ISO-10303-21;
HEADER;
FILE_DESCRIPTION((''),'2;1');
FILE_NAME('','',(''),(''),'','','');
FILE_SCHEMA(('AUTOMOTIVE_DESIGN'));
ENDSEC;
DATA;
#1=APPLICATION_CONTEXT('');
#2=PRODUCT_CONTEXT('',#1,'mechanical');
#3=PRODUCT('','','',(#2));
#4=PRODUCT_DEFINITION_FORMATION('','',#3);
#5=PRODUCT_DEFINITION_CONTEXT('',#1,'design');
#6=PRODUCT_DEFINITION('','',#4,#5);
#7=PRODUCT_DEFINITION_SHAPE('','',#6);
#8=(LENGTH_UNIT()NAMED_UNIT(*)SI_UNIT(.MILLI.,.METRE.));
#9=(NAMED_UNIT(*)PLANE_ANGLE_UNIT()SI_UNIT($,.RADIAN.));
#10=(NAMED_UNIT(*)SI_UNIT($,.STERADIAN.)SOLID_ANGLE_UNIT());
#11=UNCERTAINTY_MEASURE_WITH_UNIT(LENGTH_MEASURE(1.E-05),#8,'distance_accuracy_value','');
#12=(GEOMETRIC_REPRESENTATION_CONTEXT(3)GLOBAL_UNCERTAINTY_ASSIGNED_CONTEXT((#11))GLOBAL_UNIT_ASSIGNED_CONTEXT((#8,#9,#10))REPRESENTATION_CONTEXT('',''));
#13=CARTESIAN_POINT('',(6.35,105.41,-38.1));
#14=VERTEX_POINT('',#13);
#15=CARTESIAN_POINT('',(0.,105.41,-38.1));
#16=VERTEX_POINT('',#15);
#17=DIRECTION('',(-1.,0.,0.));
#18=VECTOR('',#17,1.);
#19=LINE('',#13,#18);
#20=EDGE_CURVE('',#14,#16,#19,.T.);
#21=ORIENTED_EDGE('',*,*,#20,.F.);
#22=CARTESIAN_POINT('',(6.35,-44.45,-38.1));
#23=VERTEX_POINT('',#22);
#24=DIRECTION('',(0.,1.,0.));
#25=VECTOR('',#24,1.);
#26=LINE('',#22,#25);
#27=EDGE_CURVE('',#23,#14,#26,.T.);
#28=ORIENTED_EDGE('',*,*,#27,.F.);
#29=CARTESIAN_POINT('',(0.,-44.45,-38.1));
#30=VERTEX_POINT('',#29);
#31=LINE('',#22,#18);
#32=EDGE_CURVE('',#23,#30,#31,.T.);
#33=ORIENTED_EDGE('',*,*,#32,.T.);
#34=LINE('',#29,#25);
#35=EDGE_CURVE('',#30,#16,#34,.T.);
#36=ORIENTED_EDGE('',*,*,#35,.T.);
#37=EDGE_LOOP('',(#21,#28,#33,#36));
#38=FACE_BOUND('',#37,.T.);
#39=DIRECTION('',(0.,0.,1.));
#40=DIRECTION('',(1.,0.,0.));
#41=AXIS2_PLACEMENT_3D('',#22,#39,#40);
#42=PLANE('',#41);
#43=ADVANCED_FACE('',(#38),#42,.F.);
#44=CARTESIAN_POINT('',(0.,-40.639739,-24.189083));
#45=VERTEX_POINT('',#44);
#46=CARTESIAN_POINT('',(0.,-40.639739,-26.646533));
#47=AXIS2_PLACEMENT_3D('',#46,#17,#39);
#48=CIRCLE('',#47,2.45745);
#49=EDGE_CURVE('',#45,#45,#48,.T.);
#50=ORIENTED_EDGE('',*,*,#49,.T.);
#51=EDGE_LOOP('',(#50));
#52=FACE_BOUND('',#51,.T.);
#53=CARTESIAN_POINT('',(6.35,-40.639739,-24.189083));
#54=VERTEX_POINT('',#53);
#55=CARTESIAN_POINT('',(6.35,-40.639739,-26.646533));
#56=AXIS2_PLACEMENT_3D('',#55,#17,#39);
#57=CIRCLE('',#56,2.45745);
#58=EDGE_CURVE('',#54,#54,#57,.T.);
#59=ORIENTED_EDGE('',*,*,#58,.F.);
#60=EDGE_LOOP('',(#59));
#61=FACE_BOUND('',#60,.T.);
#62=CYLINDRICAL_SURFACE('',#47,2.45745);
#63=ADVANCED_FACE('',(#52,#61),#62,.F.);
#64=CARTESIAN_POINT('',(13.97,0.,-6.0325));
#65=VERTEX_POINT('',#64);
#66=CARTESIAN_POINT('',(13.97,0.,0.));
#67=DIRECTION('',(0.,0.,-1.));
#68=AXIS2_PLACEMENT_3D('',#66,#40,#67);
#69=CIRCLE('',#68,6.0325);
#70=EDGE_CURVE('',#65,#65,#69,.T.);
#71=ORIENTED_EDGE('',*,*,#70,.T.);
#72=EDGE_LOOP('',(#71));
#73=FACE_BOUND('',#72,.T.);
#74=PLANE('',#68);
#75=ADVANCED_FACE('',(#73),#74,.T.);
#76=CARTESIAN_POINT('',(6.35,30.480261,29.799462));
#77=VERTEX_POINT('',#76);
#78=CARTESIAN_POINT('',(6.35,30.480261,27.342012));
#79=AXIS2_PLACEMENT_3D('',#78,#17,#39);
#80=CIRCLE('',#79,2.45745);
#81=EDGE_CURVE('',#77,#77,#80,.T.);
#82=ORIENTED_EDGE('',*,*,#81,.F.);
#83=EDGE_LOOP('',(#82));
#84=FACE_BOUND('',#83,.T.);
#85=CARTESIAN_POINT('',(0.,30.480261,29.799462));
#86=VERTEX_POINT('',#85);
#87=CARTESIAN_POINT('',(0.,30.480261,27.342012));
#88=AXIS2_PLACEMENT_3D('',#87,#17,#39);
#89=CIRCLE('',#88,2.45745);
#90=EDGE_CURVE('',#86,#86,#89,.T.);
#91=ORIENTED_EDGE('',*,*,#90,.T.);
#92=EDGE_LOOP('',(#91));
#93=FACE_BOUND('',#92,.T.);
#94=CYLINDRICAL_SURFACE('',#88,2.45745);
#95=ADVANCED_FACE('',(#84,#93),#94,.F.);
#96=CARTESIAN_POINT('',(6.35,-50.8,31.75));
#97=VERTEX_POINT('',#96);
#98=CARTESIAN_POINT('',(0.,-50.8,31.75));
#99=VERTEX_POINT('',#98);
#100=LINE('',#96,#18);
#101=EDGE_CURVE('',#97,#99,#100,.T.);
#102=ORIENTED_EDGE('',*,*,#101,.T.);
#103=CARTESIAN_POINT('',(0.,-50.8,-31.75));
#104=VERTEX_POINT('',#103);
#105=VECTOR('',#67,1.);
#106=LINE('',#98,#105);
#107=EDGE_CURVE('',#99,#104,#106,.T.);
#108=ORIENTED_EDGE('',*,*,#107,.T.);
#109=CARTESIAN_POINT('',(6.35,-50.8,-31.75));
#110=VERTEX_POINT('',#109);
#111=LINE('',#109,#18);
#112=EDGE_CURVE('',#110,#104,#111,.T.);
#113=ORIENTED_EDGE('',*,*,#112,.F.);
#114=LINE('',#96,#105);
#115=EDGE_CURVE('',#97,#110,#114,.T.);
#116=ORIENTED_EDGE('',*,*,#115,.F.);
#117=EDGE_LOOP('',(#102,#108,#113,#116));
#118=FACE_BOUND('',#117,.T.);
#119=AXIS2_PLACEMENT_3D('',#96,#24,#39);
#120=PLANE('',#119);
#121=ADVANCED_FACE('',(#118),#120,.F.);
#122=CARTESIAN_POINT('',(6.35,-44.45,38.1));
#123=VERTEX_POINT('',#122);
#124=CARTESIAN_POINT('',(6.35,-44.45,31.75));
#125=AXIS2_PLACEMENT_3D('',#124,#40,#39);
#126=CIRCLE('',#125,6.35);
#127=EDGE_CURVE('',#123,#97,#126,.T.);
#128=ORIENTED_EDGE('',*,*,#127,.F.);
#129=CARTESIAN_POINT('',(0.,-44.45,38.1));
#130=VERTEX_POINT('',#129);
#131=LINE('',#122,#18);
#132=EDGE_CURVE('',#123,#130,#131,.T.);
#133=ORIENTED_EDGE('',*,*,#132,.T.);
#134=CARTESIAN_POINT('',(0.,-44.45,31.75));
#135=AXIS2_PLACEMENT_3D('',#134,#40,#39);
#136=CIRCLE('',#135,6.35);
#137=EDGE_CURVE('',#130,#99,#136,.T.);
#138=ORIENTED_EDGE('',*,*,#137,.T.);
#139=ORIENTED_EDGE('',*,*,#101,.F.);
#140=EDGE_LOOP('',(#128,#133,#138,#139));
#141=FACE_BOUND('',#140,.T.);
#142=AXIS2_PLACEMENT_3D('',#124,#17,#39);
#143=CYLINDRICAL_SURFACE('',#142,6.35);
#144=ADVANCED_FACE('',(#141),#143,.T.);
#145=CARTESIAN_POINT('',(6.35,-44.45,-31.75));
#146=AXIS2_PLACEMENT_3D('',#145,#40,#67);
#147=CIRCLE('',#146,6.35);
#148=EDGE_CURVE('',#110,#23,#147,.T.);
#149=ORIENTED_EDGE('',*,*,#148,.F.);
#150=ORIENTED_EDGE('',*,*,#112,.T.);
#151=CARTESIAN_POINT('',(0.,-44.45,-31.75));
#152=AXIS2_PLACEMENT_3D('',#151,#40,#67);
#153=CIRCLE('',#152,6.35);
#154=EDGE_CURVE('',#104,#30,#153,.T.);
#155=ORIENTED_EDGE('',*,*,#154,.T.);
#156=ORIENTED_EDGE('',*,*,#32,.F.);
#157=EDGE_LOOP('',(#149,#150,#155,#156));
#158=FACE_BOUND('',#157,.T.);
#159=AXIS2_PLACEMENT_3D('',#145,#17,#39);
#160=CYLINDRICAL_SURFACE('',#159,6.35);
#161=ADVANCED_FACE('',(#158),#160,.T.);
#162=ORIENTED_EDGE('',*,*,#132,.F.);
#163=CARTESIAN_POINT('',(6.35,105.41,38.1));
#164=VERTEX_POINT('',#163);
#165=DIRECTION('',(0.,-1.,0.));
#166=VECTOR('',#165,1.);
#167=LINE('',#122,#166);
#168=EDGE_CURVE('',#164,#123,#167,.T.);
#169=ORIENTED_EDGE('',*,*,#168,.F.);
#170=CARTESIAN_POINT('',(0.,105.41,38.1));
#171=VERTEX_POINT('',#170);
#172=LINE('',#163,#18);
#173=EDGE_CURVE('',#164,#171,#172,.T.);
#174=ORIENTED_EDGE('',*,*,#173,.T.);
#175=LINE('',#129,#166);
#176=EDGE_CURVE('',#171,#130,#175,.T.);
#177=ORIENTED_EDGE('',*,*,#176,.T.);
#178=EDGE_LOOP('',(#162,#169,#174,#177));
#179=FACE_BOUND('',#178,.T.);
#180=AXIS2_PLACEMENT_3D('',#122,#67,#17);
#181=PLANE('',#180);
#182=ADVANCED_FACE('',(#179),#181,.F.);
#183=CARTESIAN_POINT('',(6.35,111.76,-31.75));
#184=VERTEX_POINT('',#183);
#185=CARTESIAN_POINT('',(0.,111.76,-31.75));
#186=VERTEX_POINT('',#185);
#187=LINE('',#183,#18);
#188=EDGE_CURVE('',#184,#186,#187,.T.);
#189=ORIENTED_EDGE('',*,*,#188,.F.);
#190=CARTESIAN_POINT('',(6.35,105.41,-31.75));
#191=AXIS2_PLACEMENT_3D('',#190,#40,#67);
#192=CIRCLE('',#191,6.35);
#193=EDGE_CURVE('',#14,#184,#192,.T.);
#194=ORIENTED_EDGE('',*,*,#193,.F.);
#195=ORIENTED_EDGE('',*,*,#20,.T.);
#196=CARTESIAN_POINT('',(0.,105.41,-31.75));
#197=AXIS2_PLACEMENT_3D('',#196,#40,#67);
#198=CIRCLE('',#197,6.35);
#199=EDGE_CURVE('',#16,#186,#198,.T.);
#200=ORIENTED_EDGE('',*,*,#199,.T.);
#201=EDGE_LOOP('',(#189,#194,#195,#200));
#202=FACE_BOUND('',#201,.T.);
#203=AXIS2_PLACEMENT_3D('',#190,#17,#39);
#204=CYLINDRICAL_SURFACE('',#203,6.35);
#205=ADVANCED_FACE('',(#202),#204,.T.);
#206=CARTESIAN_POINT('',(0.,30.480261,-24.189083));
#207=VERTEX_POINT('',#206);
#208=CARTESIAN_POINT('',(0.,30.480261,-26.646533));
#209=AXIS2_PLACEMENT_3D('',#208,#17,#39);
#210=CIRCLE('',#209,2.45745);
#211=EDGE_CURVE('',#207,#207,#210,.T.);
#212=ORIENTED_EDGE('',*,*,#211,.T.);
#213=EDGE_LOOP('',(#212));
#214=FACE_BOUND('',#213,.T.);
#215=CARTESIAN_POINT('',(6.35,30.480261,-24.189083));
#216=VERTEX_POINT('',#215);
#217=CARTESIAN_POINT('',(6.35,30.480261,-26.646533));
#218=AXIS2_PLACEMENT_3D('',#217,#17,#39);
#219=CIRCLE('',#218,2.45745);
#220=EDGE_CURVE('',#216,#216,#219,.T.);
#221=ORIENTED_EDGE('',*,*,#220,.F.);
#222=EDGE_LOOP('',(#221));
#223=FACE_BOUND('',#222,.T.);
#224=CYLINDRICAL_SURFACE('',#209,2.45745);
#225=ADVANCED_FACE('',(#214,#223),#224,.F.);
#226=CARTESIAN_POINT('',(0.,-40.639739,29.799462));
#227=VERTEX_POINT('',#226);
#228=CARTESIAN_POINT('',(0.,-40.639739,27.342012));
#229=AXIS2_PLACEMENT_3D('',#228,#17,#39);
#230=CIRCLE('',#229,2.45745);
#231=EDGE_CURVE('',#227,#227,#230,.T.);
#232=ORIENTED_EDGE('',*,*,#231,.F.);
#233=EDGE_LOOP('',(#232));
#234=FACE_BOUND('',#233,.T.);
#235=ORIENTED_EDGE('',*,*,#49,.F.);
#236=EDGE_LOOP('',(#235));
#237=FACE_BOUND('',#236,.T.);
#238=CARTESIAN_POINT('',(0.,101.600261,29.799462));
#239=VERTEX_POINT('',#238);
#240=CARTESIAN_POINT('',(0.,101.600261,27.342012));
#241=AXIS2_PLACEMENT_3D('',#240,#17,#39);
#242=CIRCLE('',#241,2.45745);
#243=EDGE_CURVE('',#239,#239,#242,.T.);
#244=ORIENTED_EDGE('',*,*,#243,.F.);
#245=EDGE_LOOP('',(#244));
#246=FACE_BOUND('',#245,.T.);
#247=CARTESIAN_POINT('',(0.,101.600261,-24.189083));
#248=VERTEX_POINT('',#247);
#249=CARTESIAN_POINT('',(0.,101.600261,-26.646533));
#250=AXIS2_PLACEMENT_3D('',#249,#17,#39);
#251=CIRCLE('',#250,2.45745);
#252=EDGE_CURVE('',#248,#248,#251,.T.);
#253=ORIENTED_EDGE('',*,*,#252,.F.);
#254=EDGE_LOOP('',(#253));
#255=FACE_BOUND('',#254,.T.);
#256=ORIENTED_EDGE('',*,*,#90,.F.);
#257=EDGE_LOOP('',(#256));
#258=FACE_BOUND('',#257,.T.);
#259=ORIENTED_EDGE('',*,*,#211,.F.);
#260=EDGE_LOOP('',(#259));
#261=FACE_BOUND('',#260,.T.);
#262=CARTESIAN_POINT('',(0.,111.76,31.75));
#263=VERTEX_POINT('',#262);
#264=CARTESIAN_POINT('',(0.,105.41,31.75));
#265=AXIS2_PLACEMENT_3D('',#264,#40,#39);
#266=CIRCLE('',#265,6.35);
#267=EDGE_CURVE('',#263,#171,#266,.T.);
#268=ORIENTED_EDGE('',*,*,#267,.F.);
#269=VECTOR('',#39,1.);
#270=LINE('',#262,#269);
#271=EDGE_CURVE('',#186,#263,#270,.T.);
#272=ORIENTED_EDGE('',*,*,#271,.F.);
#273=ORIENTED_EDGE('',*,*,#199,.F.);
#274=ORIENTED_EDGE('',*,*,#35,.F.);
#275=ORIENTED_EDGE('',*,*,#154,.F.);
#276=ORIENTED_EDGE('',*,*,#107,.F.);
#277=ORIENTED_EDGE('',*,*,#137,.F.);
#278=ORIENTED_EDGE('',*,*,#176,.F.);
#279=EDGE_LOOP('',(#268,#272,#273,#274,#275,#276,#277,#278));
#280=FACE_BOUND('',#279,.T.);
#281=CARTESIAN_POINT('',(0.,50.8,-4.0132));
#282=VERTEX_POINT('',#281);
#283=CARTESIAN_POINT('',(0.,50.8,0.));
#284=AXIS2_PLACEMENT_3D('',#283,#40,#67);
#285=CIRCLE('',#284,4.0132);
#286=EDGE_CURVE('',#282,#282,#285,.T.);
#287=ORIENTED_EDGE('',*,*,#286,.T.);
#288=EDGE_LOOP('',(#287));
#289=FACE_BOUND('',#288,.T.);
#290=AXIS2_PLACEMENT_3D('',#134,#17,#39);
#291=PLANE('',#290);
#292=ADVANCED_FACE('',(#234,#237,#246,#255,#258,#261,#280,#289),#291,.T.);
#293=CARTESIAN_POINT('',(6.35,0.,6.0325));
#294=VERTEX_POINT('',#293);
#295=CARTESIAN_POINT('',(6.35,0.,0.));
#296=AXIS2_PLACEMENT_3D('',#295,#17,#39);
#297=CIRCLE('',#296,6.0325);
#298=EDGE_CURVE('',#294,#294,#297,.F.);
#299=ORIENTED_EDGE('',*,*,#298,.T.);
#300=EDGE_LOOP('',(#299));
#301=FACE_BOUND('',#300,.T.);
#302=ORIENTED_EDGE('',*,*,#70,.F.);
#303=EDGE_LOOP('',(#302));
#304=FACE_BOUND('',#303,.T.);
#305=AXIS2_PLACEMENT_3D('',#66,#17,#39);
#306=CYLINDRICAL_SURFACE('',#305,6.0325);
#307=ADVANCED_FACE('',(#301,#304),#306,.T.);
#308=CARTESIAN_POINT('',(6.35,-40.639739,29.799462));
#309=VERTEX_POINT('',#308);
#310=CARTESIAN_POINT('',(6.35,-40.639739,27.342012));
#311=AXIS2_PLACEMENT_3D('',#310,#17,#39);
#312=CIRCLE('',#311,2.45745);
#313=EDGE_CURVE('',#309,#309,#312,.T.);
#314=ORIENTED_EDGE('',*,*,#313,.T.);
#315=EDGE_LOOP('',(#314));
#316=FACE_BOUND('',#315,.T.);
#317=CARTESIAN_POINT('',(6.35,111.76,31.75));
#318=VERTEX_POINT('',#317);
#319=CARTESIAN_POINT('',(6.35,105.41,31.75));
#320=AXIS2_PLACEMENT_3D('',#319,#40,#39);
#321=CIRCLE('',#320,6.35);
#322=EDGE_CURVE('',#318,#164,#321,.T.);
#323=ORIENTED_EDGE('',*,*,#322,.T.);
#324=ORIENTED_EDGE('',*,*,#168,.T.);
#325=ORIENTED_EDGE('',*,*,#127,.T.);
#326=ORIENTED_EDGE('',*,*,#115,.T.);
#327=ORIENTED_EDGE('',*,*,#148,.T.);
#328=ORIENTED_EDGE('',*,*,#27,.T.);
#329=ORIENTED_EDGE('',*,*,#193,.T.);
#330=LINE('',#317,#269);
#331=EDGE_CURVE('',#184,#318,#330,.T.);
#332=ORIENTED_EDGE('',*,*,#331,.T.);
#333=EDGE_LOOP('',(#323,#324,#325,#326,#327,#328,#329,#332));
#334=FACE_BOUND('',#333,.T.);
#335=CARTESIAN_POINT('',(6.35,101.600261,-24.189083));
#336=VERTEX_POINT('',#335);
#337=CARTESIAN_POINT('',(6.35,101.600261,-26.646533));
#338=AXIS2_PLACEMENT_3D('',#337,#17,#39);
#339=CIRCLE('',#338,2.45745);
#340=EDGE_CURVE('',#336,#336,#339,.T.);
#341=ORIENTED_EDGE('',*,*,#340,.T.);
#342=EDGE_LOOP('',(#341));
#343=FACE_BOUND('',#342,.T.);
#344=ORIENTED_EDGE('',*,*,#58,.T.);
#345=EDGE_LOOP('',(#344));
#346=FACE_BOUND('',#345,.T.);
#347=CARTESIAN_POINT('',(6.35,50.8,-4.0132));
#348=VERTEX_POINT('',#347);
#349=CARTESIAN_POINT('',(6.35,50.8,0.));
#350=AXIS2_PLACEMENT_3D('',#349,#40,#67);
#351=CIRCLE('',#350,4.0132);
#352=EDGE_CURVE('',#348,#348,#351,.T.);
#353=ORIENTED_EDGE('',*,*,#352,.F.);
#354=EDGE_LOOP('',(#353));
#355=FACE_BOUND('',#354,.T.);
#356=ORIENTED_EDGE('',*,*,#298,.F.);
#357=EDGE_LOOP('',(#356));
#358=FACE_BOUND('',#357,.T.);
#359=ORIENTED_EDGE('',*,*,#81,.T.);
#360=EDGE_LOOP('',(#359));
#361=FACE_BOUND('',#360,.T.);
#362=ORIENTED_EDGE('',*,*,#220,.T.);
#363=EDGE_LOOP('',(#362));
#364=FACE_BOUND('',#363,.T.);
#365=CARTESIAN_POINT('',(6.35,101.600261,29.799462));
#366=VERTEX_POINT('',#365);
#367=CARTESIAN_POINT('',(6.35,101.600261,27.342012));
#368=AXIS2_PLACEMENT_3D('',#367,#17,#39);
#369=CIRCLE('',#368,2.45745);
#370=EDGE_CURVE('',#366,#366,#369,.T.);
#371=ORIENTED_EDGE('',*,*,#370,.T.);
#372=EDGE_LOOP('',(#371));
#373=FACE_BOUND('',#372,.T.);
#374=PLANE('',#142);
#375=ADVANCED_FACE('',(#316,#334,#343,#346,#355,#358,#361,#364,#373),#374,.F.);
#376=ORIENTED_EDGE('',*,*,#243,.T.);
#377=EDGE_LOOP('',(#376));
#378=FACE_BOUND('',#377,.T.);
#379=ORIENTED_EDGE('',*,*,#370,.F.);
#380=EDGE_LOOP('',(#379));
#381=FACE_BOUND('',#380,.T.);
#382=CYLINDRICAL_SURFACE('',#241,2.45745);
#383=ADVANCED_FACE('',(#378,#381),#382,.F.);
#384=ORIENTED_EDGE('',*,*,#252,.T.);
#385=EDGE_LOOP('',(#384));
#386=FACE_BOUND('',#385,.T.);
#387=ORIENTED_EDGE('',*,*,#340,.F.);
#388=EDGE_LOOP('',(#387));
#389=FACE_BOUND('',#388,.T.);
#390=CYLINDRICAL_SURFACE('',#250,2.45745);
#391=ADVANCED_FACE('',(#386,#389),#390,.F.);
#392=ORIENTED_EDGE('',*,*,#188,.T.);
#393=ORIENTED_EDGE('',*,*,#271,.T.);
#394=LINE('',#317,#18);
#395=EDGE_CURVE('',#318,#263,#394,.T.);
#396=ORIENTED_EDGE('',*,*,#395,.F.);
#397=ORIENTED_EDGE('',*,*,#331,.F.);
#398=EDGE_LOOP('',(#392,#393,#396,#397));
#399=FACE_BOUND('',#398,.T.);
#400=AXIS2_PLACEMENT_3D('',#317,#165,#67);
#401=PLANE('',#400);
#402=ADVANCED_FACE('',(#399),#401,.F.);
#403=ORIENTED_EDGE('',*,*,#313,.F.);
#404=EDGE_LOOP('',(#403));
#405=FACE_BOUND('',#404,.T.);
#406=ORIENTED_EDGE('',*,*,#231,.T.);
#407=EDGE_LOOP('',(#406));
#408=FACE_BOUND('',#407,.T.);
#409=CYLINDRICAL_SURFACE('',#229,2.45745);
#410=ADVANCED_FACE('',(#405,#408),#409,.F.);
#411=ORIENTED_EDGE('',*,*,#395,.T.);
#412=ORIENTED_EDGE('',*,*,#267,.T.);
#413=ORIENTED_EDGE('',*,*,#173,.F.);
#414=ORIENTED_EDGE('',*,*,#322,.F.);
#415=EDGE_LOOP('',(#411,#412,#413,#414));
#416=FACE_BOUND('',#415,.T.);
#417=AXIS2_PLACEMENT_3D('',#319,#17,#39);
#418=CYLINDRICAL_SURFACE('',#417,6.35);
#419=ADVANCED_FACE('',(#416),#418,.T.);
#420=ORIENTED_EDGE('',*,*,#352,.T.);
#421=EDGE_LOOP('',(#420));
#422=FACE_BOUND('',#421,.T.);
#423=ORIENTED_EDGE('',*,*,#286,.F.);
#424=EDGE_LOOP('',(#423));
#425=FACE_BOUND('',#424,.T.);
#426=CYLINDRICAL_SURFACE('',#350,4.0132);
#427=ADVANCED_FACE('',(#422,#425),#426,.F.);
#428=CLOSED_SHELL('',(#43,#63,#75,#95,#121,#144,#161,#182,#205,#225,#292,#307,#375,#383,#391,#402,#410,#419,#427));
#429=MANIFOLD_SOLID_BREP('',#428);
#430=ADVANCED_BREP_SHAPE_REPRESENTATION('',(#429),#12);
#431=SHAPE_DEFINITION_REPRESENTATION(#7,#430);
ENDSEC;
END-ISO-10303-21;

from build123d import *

# Parameters (mm, degrees)
RIGHT_PLATE_DEPTH         = 6.35
SKETCH5_R                 = 6.0325
SPOOL_POST_DEPTH          = 7.62
F_8_CLEARANCE_HOLE1_D     = 4.9149
F_8_CLEARANCE_HOLE1_DEPTH = 6.35
O_0_316_DIAMETER_HOLE3_D  = 8.0264


with BuildPart() as part:
    # Sketch1 → Right plate (new body)
    with BuildSketch(Plane(origin=(0, 0, 0), x_dir=(0, 0, -1), z_dir=(1, 0, 0))):
        with BuildLine():
            Line((-31.75, -50.8), (31.75, -50.8))
            ThreePointArc((31.75, -50.8), (36.240128061, -48.940128061), (38.1, -44.45))
            Line((38.1, -44.45), (38.1, 105.41))
            ThreePointArc((38.1, 105.41), (36.240128061, 109.900128061), (31.75, 111.76))
            Line((31.75, 111.76), (-31.75, 111.76))
            ThreePointArc((-31.75, 111.76), (-36.240128061, 109.900128061), (-38.1, 105.41))
            Line((-38.1, 105.41), (-38.1, -44.45))
            ThreePointArc((-38.1, -44.45), (-36.240128061, -48.940128061), (-31.75, -50.8))
        make_face()
    extrude(amount=RIGHT_PLATE_DEPTH)

    # Sketch5 → Spool post (add)
    with BuildSketch(Plane(origin=(6.35, 0, 0), x_dir=(0, 0, -1), z_dir=(1, 0, 0))):
        Circle(SKETCH5_R)
    extrude(amount=SPOOL_POST_DEPTH)

    # #8 Clearance Hole1
    with Locations(Plane.ZY):
        with Locations((-26.646533, 101.600261), (27.342012, 101.600261), (27.342012, 30.480261), (-26.646533, 30.480261), (-26.646533, -40.639739), (27.342012, -40.639739)):
            Hole(F_8_CLEARANCE_HOLE1_D / 2, depth=F_8_CLEARANCE_HOLE1_DEPTH)

    # O (0.316) Diameter Hole3 (through all)
    with Locations(Plane(origin=(6.35, 0, 0), x_dir=(0, 0, -1), z_dir=(1, 0, 0))):
        with Locations((-675.189894138, -31.321376827), (0, 50.8)):
            Hole(O_0_316_DIAMETER_HOLE3_D / 2)


solid = part.part
